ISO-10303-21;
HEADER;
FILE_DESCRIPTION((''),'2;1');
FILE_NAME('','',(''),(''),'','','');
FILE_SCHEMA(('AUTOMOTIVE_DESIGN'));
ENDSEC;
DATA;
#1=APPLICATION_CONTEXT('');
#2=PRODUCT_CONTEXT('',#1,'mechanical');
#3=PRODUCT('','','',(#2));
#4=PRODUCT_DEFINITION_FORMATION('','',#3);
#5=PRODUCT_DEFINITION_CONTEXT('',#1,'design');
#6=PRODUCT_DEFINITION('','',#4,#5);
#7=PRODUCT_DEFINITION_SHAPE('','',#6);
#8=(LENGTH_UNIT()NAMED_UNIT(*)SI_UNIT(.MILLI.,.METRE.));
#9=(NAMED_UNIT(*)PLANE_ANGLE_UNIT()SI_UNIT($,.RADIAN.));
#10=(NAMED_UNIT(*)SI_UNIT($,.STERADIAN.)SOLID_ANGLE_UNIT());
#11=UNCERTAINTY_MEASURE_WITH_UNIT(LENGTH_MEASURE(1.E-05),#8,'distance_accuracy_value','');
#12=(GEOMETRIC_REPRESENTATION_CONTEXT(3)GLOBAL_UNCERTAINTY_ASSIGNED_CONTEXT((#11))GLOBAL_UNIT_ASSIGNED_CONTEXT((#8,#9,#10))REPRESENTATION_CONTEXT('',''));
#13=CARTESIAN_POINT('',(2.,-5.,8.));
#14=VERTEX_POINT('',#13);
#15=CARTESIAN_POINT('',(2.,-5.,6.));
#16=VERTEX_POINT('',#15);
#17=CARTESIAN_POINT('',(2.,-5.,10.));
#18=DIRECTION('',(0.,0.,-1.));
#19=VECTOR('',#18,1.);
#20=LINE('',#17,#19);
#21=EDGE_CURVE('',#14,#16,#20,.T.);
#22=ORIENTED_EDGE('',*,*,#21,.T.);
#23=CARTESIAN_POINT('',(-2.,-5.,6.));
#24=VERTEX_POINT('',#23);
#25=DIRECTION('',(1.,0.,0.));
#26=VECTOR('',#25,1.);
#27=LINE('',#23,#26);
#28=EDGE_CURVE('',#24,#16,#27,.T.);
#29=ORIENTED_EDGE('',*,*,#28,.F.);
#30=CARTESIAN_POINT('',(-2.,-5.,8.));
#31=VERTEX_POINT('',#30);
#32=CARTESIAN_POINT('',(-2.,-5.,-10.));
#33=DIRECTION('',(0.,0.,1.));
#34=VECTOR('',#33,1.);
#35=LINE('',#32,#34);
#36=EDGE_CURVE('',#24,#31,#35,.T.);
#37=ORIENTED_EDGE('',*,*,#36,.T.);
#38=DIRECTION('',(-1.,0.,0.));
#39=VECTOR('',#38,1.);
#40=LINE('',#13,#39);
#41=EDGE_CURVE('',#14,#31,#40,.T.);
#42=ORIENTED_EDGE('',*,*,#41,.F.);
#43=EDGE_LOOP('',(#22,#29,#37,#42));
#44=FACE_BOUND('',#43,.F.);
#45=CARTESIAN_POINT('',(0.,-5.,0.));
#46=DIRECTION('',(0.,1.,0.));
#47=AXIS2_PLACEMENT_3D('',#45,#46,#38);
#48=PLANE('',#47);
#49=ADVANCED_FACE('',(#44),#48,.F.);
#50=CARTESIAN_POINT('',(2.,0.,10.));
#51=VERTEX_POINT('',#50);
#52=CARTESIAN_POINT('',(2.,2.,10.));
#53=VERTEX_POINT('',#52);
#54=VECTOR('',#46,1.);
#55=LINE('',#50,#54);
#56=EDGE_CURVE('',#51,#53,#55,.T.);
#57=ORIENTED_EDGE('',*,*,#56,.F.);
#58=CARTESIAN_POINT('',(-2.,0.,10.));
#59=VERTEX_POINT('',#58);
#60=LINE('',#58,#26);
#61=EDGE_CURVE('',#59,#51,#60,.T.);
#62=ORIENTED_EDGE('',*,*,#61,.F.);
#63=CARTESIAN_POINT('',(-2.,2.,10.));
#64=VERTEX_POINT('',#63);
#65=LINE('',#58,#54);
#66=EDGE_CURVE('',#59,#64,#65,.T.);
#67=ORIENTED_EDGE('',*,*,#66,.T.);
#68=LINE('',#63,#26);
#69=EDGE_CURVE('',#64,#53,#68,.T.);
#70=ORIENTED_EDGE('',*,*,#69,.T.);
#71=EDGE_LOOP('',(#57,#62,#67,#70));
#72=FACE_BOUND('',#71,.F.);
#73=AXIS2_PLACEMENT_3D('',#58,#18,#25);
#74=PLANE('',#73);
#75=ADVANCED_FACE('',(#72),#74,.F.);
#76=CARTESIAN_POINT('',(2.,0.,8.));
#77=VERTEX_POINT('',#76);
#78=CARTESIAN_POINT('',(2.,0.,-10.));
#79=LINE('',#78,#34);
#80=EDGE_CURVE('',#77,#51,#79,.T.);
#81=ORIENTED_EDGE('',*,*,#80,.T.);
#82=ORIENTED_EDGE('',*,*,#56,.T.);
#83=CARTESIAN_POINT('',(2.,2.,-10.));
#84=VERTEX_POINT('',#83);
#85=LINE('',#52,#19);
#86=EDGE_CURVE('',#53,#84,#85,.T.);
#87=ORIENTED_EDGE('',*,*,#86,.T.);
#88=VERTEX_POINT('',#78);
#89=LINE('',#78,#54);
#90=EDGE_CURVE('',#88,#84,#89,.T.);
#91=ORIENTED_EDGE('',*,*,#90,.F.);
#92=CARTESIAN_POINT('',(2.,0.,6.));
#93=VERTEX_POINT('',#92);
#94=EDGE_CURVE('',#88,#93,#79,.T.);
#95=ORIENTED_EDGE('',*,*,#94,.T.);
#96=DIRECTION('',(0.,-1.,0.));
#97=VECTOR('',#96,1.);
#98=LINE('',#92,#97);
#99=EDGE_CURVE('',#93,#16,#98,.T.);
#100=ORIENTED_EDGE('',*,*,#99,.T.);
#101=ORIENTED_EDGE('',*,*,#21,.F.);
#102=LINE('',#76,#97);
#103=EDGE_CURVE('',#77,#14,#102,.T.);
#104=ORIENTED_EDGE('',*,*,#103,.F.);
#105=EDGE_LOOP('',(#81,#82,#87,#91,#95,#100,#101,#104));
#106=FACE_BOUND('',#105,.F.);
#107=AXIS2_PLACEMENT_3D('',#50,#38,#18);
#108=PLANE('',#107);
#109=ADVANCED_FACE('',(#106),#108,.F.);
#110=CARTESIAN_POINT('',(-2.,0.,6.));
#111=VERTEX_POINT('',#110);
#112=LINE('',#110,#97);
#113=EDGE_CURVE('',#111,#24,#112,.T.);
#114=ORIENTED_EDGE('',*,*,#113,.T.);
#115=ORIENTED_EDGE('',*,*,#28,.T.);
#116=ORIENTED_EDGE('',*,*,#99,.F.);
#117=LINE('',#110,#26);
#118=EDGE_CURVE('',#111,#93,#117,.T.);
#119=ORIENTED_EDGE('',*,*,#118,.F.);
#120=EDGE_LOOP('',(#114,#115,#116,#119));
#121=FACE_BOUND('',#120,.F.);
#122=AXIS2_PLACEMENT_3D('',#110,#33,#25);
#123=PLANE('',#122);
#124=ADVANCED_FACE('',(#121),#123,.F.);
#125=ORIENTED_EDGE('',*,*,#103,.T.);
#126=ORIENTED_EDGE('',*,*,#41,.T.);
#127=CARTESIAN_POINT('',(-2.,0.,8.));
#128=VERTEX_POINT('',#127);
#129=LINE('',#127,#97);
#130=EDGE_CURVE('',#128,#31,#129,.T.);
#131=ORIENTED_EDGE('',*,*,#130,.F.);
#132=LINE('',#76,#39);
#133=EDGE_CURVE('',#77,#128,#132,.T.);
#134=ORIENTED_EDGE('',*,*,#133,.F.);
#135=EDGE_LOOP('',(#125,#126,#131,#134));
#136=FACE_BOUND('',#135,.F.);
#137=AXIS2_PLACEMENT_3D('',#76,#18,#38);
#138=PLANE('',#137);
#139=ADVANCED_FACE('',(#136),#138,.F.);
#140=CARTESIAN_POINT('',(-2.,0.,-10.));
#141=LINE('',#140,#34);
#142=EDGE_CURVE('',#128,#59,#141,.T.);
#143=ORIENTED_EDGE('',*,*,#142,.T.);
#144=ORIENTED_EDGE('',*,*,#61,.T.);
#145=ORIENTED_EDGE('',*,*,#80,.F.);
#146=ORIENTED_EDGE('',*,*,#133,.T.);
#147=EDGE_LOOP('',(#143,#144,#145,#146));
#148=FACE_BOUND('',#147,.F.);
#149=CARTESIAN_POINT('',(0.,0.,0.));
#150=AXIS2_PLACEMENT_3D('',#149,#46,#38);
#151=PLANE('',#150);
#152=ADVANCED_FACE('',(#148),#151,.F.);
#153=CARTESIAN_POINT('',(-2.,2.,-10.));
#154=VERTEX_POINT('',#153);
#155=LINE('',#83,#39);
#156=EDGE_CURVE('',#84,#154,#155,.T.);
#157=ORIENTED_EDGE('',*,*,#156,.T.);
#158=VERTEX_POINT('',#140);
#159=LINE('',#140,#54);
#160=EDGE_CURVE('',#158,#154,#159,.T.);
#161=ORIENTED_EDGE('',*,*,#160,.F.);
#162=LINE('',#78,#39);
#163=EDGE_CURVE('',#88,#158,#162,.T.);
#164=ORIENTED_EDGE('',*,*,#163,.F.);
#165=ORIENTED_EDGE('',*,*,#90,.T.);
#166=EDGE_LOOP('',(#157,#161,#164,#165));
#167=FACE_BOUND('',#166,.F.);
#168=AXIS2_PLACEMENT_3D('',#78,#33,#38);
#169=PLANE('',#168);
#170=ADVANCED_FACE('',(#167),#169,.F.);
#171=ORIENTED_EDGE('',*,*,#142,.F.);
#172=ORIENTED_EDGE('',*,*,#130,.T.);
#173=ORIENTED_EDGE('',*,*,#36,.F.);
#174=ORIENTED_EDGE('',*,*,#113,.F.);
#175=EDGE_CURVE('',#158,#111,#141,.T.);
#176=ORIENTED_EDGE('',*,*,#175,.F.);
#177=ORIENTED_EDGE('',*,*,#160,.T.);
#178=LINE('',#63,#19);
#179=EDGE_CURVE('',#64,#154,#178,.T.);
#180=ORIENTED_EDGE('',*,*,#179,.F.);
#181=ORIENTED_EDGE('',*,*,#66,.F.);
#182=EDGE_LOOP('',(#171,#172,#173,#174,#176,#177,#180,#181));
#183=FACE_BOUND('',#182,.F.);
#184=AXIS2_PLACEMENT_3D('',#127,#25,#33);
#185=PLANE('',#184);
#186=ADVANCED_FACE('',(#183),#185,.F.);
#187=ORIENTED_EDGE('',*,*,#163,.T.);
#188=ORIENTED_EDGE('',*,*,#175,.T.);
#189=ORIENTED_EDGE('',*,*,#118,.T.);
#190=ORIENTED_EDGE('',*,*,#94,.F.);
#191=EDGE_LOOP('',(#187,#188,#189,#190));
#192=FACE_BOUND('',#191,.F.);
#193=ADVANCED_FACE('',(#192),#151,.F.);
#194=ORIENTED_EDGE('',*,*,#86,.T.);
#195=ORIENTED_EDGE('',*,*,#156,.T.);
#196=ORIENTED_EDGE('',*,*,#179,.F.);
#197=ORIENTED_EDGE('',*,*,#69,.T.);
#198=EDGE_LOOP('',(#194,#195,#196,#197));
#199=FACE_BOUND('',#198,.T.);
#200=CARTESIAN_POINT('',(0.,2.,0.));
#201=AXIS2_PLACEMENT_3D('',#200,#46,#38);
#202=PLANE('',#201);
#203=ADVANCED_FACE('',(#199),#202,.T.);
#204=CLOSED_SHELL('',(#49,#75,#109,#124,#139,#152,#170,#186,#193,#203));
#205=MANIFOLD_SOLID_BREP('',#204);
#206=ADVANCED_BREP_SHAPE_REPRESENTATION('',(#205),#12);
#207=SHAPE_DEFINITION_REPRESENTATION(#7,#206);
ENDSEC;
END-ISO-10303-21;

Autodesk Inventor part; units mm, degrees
ref_plane "YZ Plane" through (0, 0, 0) normal (1, 0, 0) x (0, 1, 0)
ref_plane "XZ Plane" through (0, 0, 0) normal (0, 1, 0) x (-1, 0, 0)
ref_plane "XY Plane" through (0, 0, 0) normal (0, 0, 1) x (1, 0, 0)
sketch "Эскиз1" plane through (0, 0, 0) normal (0, 1, 0) x (-1, 0, 0)
  line L0 (2, 10) -> (-2, 10)
  line L1 (-2, 10) -> (-2, -10)
  line L2 (-2, -10) -> (2, -10)
  line L3 (2, -10) -> (2, 10)
  line L4 (2, 10) -> (-2, -10) construction
  line L5 (-2, 10) -> (2, -10) construction
  line L6 (0, 10) -> (0, 7) construction
  line L7 (-2, 8) -> (2, 8)
  line L8 (2, 8) -> (2, 6)
  line L9 (2, 6) -> (-2, 6)
  line L10 (-2, 6) -> (-2, 8)
  line L11 (-2, 8) -> (2, 6) construction
  line L12 (2, 8) -> (-2, 6) construction
  point P0 (0, 0)
  dimension "d0" = 4
  dimension "d1" = 20
  dimension "d2" = 3
  dimension "d3" = 2
extrude "Выдавливание1" add sketch "Эскиз1" along normal blind 2
extrude "Выдавливание2" add sketch "Эскиз1" against normal blind 5 contours L3 L9 L1 L7
properties part number "m"
